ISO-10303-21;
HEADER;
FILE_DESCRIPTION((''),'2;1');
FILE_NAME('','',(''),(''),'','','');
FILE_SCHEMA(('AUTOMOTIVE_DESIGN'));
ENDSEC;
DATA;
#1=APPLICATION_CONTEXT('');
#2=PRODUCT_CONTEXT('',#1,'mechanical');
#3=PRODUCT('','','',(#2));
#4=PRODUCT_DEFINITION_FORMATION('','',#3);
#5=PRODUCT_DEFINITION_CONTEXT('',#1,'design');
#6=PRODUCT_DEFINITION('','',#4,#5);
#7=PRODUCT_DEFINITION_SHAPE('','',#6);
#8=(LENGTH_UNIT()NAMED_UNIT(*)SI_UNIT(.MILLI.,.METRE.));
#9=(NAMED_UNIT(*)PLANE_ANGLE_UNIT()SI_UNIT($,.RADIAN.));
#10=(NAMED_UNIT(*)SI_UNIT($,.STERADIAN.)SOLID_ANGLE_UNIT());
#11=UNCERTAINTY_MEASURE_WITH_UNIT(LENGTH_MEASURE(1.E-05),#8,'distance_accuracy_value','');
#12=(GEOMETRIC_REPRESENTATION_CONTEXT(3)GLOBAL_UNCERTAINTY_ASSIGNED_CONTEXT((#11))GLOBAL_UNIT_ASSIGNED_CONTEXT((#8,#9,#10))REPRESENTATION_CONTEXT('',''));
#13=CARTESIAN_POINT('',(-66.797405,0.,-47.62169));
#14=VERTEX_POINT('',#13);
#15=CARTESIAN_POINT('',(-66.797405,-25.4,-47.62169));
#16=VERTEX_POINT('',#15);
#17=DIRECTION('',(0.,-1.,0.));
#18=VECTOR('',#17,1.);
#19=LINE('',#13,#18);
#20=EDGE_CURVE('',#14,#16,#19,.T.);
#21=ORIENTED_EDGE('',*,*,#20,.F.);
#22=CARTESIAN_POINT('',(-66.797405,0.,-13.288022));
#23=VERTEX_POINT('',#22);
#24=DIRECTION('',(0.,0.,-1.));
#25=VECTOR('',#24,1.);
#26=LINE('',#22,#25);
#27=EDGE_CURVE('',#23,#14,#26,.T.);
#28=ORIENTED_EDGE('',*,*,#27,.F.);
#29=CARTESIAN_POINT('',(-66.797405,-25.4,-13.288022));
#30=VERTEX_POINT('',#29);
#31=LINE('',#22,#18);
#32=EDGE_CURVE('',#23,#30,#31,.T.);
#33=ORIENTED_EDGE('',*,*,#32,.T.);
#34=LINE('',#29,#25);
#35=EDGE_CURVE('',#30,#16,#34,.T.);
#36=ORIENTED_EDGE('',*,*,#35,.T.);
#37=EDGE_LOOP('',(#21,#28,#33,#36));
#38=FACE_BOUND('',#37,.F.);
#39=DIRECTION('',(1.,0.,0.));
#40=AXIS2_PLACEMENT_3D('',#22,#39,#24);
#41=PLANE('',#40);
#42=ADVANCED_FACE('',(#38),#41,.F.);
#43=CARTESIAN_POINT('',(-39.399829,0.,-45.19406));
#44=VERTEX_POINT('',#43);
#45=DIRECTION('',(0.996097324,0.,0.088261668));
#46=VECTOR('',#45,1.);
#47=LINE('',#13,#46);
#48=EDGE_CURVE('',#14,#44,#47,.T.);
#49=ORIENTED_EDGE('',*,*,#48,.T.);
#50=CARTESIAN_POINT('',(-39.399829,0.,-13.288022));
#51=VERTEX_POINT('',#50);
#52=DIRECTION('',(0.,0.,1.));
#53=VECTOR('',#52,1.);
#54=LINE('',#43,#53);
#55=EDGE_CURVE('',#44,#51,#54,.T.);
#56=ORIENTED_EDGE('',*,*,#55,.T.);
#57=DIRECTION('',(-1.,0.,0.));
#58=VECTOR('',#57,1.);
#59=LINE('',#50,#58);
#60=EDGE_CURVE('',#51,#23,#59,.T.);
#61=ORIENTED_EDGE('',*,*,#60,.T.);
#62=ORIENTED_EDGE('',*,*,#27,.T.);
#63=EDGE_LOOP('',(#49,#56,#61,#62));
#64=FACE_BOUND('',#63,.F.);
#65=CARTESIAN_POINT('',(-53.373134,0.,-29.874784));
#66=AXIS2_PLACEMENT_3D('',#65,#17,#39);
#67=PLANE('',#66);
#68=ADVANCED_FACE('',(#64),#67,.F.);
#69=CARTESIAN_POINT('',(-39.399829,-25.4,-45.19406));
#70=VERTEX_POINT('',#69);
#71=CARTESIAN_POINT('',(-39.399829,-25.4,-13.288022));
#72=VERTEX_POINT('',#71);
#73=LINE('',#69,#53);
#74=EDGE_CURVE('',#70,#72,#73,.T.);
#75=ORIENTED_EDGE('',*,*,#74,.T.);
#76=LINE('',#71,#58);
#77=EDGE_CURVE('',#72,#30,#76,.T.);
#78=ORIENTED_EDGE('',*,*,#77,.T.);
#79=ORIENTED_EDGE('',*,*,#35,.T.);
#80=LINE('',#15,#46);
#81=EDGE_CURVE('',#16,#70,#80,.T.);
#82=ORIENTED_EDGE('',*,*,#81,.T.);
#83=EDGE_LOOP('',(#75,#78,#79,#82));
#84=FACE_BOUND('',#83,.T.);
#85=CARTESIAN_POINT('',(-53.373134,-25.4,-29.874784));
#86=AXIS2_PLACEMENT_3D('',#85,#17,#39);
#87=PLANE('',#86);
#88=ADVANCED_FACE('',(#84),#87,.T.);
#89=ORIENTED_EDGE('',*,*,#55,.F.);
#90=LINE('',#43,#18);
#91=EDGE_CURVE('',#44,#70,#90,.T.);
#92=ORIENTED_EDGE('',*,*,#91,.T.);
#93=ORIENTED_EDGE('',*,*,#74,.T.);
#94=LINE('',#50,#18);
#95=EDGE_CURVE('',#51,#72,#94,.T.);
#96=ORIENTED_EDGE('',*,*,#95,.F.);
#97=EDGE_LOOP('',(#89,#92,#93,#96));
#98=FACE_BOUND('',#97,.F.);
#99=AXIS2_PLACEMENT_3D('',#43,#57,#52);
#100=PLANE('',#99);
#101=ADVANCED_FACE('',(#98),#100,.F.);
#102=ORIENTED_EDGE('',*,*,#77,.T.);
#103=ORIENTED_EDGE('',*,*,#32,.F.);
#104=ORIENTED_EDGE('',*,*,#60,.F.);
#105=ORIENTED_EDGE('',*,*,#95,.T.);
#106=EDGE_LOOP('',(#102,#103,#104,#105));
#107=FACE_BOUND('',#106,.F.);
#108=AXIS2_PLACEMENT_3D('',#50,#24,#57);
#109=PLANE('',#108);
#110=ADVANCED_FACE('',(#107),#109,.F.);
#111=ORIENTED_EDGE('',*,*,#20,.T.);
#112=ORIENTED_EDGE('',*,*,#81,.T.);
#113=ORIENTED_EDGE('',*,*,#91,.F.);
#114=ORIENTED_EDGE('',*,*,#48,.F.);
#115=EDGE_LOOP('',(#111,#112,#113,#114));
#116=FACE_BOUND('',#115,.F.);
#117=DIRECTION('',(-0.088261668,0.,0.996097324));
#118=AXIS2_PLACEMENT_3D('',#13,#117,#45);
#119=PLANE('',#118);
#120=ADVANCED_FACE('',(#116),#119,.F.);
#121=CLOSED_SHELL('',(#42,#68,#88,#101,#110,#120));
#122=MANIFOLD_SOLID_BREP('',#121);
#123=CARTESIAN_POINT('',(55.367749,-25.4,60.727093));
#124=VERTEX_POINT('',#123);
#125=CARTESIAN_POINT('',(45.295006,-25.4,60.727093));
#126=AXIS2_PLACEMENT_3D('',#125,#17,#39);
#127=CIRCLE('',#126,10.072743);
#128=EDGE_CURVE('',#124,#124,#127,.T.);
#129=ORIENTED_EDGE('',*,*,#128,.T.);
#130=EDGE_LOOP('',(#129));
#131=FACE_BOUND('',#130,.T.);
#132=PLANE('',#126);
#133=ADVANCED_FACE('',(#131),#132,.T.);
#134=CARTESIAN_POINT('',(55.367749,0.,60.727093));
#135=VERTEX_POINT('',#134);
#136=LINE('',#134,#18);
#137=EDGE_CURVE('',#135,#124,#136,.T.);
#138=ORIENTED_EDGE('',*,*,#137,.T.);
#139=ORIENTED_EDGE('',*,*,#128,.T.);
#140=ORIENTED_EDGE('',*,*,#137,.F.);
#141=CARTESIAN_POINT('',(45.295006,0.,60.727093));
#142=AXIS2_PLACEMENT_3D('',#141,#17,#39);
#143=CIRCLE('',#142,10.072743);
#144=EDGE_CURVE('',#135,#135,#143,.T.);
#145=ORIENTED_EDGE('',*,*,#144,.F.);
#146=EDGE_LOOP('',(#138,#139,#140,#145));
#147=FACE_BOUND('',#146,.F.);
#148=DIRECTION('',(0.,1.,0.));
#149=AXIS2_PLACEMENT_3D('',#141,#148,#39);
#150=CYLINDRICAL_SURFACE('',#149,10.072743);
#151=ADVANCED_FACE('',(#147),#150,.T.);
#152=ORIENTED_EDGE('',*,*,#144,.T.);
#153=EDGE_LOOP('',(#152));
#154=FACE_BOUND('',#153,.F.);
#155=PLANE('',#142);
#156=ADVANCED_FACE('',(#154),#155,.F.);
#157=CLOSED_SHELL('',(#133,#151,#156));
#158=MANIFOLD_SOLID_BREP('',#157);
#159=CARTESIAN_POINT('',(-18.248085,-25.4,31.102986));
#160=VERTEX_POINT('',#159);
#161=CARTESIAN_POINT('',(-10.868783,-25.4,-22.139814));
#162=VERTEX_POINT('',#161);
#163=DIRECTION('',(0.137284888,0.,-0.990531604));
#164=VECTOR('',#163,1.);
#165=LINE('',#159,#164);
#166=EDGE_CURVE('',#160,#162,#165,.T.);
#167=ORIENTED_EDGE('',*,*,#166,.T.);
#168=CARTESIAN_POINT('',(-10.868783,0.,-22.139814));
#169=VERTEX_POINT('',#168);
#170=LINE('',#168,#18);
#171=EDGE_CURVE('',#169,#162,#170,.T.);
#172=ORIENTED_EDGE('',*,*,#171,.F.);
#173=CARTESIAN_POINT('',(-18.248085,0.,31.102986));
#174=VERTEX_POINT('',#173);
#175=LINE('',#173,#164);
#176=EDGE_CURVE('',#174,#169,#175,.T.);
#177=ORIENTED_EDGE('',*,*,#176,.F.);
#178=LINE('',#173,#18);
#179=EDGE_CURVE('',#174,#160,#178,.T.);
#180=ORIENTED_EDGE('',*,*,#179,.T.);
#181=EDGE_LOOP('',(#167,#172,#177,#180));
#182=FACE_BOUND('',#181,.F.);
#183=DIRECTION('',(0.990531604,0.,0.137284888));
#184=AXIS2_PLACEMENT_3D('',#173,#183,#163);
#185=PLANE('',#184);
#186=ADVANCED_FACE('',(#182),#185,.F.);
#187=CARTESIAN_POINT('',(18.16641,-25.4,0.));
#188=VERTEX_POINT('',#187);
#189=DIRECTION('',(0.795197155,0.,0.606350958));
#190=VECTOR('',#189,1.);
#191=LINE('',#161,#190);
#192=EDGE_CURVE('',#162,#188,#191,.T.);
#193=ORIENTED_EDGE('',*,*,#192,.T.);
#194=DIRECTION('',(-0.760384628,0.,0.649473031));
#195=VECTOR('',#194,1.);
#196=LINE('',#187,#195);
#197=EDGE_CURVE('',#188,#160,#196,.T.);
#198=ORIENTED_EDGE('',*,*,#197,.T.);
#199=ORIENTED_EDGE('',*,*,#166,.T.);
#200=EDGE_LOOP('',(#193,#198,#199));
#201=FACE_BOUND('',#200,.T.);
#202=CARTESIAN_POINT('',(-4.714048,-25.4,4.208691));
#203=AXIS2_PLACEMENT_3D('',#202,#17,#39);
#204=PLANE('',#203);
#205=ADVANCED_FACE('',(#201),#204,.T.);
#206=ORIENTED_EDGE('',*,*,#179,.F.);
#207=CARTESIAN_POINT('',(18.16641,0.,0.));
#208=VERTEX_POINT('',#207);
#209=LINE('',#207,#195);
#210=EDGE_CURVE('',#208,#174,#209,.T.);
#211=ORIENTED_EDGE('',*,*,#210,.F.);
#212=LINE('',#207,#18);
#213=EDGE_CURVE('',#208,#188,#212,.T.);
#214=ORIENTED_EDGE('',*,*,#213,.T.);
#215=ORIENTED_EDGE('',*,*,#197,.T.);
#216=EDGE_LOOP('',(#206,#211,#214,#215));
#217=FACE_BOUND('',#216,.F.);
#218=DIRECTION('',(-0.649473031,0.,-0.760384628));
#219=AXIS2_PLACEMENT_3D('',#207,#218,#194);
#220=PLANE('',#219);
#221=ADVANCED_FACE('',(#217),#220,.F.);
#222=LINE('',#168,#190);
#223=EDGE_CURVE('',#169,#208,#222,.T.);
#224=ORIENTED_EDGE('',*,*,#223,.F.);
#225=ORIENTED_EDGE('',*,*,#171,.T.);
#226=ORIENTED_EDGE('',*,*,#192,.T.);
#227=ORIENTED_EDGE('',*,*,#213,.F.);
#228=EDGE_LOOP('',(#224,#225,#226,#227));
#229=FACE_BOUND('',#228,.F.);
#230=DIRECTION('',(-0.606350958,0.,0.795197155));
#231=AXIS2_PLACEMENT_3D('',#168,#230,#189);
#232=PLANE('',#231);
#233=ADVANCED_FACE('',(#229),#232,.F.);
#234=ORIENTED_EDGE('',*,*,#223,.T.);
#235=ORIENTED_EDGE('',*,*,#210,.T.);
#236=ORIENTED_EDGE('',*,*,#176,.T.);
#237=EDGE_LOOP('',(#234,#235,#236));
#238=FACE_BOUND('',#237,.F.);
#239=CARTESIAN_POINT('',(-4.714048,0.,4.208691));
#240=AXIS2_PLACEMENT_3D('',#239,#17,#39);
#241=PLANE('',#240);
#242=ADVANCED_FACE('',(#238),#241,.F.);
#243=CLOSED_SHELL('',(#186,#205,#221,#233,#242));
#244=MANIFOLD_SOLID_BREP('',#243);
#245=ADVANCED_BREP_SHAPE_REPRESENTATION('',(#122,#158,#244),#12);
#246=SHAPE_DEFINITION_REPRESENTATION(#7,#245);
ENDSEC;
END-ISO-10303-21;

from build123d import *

# Parameters (mm, degrees)
F0_R     = 10.072743
F1_DEPTH = 25.4


with BuildPart() as f1:
    # F0 (on Front) → F1 (new body)
    with BuildSketch(Plane.XZ):
        with Locations((45.295006, 60.727093)):
            Circle(F0_R)
        Polygon((-39.399829, -13.288022), (-66.797405, -13.288022), (-66.797405, -47.62169), (-39.399829, -45.19406), align=None)
        Polygon((18.16641, 0), (-18.248085, 31.102986), (-10.868783, -22.139814), align=None)
    extrude(amount=F1_DEPTH)


solid = f1.part
